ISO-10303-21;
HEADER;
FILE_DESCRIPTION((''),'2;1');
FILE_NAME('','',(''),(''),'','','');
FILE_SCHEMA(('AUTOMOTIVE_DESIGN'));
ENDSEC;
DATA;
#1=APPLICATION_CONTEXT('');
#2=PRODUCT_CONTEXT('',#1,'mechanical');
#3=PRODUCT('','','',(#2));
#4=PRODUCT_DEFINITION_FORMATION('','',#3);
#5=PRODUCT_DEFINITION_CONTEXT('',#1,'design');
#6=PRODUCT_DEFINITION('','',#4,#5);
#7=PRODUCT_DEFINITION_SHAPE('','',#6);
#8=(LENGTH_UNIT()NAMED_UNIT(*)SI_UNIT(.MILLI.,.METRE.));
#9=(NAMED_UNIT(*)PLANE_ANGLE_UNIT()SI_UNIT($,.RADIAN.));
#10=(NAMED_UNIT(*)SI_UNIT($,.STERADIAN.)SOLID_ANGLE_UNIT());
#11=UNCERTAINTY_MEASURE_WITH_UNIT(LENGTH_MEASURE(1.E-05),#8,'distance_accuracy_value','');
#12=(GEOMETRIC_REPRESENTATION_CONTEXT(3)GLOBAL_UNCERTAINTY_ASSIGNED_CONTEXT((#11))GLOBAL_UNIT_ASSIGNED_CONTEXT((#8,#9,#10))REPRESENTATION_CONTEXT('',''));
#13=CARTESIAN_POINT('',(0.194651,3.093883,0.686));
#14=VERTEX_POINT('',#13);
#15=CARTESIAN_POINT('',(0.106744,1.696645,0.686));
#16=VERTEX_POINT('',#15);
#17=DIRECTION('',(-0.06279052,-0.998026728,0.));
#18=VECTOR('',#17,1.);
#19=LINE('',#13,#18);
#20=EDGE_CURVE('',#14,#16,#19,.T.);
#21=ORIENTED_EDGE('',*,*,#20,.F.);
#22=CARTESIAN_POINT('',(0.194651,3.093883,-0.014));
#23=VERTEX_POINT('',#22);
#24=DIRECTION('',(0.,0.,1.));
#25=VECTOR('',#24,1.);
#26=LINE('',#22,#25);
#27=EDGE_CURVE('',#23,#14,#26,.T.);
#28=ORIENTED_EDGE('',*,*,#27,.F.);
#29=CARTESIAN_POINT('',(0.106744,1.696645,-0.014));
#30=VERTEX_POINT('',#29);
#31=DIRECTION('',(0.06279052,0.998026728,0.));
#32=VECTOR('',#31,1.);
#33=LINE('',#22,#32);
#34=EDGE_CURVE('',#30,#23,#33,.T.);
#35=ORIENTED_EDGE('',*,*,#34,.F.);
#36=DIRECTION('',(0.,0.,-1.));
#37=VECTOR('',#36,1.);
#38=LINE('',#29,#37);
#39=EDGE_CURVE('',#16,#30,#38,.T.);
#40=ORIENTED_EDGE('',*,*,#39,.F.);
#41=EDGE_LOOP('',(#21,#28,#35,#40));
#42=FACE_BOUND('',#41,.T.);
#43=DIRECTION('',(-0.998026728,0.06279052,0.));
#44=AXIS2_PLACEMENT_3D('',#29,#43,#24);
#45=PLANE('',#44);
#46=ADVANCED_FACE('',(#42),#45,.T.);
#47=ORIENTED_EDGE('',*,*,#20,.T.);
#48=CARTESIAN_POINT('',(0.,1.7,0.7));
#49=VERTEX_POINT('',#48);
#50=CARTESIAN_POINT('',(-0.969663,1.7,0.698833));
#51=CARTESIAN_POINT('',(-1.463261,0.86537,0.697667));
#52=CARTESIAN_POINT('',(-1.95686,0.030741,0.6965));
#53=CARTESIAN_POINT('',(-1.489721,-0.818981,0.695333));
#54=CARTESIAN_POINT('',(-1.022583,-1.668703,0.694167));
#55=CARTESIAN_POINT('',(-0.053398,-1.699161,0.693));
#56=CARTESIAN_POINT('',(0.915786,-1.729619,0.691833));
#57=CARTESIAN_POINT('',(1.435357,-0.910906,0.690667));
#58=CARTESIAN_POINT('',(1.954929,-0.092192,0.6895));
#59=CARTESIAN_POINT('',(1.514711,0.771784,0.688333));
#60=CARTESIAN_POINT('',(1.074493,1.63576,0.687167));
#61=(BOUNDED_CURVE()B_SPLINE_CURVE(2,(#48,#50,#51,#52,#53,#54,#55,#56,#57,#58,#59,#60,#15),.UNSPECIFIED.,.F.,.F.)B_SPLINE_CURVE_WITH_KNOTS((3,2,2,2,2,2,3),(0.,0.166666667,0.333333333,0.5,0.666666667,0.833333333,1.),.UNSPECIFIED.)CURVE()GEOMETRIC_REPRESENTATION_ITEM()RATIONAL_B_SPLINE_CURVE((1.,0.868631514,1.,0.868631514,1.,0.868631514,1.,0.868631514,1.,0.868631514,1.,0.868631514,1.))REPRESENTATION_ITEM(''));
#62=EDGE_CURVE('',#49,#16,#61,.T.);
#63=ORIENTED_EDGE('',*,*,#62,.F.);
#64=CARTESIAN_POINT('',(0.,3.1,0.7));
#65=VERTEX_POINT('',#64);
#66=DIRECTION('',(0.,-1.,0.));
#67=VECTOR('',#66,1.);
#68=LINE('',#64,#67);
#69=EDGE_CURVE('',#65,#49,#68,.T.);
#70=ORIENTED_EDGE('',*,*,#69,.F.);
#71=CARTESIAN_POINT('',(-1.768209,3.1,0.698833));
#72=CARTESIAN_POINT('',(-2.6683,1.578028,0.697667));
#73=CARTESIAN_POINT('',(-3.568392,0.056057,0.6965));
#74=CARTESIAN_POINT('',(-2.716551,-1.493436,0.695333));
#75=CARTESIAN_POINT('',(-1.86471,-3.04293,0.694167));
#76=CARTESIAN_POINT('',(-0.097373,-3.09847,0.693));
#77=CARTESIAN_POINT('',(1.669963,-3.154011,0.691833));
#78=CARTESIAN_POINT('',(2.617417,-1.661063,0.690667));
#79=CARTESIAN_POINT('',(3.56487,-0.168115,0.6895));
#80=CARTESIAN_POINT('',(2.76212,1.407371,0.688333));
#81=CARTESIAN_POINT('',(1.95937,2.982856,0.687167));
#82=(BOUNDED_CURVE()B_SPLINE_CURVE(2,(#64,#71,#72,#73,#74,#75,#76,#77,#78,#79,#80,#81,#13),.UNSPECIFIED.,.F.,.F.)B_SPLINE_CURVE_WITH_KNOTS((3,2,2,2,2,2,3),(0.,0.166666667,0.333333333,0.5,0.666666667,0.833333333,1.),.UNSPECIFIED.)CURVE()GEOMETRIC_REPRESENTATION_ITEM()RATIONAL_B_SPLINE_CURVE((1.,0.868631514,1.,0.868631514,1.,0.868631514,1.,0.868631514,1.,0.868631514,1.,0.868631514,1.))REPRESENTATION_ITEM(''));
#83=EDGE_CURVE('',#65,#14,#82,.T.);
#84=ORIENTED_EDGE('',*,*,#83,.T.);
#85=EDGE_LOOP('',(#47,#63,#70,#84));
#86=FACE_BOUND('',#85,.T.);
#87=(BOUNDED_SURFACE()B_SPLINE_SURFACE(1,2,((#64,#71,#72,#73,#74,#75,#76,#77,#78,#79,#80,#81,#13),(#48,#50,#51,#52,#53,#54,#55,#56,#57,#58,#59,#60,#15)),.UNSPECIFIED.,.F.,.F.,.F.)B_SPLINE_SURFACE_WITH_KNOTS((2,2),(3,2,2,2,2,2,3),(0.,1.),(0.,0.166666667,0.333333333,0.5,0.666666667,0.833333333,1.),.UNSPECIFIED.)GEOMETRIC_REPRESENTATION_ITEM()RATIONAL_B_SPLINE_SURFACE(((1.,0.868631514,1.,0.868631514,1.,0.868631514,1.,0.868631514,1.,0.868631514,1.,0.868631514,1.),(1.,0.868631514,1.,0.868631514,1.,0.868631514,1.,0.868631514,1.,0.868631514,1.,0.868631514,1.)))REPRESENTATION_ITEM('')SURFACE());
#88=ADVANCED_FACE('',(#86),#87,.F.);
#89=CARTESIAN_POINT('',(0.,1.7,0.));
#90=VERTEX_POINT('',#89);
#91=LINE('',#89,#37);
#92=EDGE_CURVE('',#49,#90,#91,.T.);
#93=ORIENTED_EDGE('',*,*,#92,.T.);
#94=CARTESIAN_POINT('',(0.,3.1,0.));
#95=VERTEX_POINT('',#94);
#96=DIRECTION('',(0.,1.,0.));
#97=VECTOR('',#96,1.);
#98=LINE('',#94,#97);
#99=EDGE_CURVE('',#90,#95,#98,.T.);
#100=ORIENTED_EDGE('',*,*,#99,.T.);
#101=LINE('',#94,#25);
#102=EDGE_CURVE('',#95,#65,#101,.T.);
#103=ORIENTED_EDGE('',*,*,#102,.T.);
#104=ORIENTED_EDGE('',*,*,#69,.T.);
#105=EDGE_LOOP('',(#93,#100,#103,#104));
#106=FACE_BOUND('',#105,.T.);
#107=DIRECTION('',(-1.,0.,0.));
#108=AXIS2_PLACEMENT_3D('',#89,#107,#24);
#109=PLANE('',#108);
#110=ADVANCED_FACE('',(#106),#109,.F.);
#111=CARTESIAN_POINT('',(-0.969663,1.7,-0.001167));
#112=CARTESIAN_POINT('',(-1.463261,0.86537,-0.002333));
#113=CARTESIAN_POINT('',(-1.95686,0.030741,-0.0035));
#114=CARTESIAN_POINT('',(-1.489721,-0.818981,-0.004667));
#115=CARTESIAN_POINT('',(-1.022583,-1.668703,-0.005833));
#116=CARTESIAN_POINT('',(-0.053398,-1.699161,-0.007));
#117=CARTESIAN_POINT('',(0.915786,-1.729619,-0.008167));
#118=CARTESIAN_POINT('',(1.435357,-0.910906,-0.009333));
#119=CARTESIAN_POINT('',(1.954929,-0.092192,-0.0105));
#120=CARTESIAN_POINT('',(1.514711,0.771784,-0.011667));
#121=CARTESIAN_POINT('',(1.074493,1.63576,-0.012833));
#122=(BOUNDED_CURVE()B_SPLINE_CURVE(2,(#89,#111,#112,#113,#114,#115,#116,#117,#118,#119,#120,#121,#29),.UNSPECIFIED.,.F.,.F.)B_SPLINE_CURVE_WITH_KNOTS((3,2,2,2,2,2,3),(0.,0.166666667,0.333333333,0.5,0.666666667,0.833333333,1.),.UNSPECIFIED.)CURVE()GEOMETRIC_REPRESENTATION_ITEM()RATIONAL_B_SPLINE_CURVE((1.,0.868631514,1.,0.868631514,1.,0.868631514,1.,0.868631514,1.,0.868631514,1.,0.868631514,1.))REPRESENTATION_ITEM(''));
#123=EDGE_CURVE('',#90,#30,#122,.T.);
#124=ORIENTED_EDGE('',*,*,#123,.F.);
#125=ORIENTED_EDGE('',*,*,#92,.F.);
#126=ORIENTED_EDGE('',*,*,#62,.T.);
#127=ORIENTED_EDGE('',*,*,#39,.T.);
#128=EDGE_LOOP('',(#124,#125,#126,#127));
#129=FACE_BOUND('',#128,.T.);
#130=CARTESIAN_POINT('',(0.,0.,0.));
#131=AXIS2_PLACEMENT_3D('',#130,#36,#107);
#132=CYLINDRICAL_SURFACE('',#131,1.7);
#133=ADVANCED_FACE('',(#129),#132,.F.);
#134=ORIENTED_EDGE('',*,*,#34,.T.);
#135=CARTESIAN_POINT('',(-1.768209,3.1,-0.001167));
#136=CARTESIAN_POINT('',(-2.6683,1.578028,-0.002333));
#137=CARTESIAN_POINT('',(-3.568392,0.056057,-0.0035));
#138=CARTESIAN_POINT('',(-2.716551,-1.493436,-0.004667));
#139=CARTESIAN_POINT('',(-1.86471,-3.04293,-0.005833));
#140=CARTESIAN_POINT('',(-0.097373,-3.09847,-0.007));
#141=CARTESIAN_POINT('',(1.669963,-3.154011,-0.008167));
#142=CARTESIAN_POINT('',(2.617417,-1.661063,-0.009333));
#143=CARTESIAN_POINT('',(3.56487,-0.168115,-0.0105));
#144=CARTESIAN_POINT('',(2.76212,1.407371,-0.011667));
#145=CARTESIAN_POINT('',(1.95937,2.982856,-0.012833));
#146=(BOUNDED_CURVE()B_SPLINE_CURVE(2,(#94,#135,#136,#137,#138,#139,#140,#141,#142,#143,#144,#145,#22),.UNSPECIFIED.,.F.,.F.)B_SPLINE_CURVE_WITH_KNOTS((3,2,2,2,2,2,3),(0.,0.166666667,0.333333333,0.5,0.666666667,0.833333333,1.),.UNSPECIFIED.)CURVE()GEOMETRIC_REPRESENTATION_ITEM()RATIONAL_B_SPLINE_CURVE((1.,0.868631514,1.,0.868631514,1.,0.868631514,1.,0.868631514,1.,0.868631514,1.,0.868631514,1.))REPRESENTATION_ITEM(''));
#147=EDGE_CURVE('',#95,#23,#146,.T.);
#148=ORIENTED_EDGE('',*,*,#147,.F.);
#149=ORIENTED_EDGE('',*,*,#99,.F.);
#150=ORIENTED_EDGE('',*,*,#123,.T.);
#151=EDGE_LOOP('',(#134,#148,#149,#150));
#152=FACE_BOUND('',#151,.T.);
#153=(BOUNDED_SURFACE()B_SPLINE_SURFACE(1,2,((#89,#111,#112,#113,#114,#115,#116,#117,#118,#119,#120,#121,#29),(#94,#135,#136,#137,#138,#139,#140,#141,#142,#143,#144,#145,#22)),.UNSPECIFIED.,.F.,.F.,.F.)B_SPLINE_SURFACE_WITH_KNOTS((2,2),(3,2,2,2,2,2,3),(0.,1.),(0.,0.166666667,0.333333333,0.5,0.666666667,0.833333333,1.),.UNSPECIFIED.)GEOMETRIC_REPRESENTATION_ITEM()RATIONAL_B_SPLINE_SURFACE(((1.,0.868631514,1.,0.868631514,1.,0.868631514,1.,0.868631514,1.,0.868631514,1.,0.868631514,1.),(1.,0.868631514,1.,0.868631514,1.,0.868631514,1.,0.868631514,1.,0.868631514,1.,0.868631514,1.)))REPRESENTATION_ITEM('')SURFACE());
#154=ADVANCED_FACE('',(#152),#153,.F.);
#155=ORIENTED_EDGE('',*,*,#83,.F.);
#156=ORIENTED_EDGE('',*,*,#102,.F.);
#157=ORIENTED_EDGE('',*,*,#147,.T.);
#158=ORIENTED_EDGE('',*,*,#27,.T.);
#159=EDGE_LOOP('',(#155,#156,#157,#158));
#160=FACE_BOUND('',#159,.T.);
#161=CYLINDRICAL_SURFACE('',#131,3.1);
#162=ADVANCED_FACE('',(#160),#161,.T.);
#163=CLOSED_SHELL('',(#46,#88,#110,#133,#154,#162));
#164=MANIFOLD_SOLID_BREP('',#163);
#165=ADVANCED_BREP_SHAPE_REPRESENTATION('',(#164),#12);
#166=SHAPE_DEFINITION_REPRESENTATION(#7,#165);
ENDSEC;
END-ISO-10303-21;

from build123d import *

# Parameters (mm, degrees)
SWEEP1_PITCH       = 0.014141414
SWEEP1_HEIGHT      = 0.014
SWEEP1_RADIUS      = 3.1
SWEEP1_START_ANGLE = 90
SKETCH2_W          = 0.7
SKETCH2_H          = 1.4


with BuildPart() as part:
    # Sweep1: sweep along a helix
    with BuildLine() as sweep1_path:
        add(Helix(SWEEP1_PITCH, SWEEP1_HEIGHT, SWEEP1_RADIUS, center=(0, 0, 0), direction=(0, 0, -1), lefthand=True, mode=Mode.PRIVATE).rotate(Axis((0, 0, 0), (0, 0, -1)), SWEEP1_START_ANGLE))
    # Sketch2 → Sweep1 (sweep)
    with BuildSketch(Plane(origin=(0, 0, 0), x_dir=(0, 0, -1), z_dir=(1, 0, 0))):
        with Locations((-0.35, 2.4)):
            Rectangle(SKETCH2_W, SKETCH2_H)
    sweep(path=sweep1_path.line, is_frenet=True)


solid = part.part
